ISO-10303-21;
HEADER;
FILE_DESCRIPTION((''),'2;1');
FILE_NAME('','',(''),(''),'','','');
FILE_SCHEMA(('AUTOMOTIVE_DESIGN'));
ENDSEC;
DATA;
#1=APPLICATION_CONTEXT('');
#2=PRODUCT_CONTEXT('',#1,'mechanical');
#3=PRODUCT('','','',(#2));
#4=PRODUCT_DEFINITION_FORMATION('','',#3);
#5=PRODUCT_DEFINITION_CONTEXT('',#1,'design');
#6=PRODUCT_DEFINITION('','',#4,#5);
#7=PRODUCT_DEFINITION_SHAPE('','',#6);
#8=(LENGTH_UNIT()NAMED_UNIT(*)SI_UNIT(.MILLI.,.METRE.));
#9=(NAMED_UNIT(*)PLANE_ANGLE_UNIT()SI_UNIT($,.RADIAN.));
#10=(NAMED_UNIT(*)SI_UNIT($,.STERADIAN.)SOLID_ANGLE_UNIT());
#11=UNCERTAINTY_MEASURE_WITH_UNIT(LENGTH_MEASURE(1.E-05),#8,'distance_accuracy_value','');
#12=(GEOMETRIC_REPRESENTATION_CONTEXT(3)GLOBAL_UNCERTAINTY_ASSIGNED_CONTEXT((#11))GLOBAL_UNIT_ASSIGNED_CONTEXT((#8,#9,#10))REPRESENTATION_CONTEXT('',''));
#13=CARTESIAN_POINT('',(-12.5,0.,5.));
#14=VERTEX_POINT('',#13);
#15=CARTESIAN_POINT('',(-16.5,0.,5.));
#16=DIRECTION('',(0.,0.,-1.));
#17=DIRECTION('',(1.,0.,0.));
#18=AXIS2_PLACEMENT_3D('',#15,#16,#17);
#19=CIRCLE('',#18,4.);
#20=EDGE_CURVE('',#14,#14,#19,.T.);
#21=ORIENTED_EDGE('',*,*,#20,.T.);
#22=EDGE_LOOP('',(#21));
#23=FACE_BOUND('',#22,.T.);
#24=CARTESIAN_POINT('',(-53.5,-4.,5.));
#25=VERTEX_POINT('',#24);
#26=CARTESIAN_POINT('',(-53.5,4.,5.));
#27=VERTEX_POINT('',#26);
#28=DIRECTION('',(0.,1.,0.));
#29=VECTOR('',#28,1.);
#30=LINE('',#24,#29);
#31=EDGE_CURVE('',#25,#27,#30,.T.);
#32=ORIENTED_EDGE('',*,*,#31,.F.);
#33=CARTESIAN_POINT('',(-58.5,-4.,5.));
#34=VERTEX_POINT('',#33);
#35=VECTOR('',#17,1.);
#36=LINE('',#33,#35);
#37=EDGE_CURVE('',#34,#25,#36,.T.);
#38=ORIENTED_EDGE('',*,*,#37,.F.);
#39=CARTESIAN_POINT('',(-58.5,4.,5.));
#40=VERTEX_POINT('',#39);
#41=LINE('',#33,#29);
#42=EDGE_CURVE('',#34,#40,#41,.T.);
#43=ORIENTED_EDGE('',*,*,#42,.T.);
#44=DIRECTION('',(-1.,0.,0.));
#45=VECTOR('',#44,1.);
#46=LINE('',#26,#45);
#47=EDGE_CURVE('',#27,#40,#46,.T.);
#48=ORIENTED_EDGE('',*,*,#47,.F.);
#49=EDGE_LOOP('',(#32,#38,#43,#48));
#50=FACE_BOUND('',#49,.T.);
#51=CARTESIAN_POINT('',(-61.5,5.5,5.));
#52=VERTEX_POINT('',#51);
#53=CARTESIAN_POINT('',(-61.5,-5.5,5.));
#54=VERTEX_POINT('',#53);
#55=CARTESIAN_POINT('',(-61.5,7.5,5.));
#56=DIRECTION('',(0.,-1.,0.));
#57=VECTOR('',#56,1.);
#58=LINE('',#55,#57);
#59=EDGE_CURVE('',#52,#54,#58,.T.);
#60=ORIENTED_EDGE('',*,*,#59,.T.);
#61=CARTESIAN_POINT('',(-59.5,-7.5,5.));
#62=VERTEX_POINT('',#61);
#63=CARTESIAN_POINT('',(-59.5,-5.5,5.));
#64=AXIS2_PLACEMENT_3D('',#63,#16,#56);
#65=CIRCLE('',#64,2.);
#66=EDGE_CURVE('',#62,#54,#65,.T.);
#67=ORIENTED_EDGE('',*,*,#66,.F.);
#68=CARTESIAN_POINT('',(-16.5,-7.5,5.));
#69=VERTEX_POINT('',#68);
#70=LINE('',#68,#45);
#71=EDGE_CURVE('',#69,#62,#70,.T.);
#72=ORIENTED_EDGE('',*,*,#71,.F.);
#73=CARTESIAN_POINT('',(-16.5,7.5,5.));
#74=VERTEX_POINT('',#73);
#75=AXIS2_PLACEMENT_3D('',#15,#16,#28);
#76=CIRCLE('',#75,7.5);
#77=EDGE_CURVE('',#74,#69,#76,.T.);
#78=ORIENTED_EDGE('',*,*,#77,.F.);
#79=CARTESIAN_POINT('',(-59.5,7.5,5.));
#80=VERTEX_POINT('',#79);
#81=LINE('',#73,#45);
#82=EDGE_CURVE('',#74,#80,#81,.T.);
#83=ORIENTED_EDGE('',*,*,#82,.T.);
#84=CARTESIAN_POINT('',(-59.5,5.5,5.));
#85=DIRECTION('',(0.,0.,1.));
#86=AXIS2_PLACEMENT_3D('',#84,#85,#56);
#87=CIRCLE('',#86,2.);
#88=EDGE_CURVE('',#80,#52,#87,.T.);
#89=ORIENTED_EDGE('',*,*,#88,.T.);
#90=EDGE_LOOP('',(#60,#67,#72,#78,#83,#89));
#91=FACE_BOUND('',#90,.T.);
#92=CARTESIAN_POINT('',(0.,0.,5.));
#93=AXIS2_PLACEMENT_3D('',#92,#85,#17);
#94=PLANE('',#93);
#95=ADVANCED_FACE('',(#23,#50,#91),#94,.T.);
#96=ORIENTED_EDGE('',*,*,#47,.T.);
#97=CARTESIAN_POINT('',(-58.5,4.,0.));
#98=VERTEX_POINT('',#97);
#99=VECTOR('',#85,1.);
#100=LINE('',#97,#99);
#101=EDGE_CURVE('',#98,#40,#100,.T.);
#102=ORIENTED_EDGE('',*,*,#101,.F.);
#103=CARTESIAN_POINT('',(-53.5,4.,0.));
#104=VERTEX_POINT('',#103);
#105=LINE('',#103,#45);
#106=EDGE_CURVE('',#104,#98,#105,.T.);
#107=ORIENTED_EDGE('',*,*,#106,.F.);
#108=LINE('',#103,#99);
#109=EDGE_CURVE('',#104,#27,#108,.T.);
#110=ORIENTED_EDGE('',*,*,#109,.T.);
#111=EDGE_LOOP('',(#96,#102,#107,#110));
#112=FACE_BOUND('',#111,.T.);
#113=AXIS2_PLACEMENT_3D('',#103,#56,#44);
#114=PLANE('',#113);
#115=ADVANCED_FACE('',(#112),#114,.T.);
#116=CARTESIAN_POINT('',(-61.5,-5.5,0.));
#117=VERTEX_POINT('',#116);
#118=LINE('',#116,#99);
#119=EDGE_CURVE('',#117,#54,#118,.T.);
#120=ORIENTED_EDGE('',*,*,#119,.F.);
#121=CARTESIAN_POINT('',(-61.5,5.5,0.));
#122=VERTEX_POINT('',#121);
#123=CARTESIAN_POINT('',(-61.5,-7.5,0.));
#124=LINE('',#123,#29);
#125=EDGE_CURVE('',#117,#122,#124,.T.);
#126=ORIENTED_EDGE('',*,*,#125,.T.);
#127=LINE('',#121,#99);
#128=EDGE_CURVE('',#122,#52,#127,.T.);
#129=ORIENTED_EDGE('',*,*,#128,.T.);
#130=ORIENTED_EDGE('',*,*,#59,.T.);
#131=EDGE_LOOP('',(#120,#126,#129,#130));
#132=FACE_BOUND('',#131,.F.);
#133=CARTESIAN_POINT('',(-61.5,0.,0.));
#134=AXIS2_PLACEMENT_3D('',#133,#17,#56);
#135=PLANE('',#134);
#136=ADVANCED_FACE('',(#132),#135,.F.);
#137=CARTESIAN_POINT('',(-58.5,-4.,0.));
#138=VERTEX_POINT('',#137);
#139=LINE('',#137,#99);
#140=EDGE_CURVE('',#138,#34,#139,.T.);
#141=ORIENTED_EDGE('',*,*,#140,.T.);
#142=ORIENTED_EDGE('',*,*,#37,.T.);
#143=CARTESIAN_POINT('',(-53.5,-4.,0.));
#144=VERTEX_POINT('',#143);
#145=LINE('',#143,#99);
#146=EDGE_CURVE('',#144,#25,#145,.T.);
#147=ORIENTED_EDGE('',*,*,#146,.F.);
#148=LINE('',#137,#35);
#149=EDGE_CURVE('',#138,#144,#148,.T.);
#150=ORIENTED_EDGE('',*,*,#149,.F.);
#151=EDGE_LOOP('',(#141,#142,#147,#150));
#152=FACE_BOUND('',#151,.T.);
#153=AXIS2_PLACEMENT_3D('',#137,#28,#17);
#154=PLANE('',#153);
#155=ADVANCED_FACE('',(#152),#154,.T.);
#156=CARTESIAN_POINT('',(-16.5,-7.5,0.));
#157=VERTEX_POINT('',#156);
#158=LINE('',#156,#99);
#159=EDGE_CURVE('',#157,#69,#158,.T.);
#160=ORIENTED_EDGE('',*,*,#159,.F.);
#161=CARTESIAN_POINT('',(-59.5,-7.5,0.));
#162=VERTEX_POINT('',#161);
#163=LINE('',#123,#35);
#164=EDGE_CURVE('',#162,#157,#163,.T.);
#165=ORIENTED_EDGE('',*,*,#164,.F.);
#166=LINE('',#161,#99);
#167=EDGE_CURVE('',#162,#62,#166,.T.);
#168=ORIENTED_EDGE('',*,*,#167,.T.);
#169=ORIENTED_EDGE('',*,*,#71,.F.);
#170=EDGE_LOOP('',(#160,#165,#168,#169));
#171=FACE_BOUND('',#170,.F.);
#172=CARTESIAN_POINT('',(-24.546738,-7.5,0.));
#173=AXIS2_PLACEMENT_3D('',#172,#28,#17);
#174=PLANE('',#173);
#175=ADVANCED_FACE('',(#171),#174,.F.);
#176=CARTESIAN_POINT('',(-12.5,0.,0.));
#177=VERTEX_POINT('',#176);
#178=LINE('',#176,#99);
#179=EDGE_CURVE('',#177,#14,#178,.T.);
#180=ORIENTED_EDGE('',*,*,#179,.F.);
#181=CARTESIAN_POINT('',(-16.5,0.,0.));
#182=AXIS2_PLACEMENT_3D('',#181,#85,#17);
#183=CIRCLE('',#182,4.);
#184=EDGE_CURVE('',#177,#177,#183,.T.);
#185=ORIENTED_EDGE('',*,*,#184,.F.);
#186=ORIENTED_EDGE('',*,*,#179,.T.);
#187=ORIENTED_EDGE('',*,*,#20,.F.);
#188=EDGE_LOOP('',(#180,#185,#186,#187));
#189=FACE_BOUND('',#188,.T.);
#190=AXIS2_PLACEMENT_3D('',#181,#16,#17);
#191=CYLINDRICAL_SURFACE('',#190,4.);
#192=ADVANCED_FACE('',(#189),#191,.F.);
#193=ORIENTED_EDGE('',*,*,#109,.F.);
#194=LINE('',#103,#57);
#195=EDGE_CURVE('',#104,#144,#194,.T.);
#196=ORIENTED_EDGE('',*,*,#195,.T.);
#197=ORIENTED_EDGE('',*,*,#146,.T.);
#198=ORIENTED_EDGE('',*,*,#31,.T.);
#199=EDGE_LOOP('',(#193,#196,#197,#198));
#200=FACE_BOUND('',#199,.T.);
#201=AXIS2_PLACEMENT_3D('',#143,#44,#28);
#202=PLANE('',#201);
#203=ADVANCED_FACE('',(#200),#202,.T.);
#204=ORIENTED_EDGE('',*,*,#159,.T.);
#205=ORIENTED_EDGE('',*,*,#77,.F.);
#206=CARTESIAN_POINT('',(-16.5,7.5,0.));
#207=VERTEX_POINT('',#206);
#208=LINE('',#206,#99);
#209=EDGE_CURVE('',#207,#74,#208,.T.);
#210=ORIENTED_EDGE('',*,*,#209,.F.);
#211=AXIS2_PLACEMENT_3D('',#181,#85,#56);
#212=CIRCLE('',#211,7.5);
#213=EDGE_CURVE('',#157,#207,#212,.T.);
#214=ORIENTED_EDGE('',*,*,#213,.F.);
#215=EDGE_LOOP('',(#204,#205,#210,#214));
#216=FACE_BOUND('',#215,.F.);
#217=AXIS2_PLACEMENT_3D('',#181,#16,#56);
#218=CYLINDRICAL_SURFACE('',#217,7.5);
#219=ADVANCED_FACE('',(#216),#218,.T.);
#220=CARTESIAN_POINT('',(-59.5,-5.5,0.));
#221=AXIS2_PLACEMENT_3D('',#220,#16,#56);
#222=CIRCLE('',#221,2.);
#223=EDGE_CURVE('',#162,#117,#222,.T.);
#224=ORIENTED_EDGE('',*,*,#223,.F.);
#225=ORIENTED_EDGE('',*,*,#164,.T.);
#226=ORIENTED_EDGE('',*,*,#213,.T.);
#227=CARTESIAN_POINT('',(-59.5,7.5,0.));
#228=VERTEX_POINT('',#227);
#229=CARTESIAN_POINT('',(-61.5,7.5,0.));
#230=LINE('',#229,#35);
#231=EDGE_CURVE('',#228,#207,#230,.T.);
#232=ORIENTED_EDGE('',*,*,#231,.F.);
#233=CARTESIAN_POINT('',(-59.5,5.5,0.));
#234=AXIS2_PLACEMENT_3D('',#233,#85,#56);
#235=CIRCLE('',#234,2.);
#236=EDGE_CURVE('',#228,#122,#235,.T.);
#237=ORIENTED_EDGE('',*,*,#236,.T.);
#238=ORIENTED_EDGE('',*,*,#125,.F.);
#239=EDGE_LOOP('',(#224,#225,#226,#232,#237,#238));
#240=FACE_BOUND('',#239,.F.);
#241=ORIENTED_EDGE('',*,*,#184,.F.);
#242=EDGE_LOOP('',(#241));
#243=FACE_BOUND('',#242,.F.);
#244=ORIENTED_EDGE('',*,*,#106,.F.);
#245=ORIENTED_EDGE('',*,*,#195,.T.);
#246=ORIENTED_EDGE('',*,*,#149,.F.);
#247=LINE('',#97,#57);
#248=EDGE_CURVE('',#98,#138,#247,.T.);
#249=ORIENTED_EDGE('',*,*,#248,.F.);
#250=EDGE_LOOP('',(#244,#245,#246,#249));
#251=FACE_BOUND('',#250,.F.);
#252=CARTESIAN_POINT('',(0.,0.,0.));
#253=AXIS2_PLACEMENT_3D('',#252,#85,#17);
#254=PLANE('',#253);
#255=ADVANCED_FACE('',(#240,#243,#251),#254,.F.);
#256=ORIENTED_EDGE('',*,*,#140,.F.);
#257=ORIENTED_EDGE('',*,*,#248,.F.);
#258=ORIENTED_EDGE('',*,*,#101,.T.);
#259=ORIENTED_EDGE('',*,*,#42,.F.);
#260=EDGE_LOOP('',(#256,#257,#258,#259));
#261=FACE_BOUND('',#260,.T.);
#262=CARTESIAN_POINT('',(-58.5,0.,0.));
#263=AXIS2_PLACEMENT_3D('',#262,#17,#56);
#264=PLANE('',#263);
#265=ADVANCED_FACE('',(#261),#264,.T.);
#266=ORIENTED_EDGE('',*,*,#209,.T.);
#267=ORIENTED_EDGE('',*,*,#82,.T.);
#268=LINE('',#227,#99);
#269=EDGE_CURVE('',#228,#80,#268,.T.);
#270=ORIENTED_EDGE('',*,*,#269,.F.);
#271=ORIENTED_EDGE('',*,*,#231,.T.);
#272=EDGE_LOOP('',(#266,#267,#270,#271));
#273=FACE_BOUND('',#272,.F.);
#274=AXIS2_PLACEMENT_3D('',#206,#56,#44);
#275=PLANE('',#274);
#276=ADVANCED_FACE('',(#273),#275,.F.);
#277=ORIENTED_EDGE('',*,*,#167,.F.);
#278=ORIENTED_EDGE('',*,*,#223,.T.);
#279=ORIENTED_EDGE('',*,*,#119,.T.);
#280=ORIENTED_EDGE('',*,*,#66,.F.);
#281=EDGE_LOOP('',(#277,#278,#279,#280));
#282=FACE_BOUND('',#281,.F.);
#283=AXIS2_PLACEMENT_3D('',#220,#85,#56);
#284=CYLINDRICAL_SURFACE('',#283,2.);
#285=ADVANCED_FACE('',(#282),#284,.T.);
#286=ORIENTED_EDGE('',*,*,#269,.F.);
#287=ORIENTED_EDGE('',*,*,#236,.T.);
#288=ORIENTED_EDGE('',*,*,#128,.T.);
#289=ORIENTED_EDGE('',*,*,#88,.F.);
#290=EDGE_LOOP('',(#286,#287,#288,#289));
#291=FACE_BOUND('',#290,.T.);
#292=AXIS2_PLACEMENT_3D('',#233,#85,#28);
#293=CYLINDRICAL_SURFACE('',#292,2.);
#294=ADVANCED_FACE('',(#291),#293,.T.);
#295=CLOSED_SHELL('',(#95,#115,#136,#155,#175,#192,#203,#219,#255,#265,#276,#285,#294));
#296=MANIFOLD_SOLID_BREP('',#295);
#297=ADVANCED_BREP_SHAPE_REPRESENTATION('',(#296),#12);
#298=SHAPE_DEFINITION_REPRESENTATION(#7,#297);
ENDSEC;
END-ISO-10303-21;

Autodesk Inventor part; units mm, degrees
ref_plane "YZ Plane" through (0, 0, 0) normal (1, 0, 0) x (0, 1, 0)
ref_plane "XZ Plane" through (0, 0, 0) normal (0, 1, 0) x (-1, 0, 0)
ref_plane "XY Plane" through (0, 0, 0) normal (0, 0, 1) x (1, 0, 0)
sketch "Skizze1" plane through (0, 0, 0) normal (0, 0, 1) x (1, 0, 0)
  line L0 (0, -24.15) -> (0, 24.15) projected
  line L1 (-77.25, 0) -> (33, 0) projected
  circle A0 centre (-15.5, 15.5) radius 1.75
  circle A1 centre (15.5, 15.5) radius 1.75
  circle A2 centre (-15.5, -15.5) radius 1.75
  circle A3 centre (15.5, -15.5) radius 1.75
  circle A4 centre (-16.5, 0) radius 11
  circle A5 centre (0, 0) radius 5.5
  circle A6 centre (-16.5, 0) radius 4
  arc A7 (-16.5, -7.5) -> (-16.5, 7.5) centre (-16.5, 0) ccw
  line L2 (-16.5, 7.5) -> (-36.5, 7.5)
  line L3 (-36.5, 7.5) -> (-61.5, 7.5)
  line L4 (-61.5, 7.5) -> (-61.5, -7.5)
  line L5 (-61.5, -7.5) -> (-16.5, -7.5)
  dimension "d0" = 3.5
  dimension "d1" = 15.5
  dimension "d2" = 15.5
  dimension "d3" = 22
  dimension "d4" = 16.5
  dimension "d5" = 11
  dimension "d6" = 8
  dimension "d7" = 15
  dimension "d10" = 15
  dimension "d11" = 45
extrude "Extrusion1" add sketch "Skizze1" along normal blind 5 contours A7 L5 A4 L1 A6 | L1 A6 A4 L2 A7 | A4 L1 L4 L3 L2 | L5 L4 L1 A4
sketch "Skizze3" plane through (0, 0, 0) normal (0, 0, -1) x (-1, 0, 0)
  circle A0 centre (16.5, 0) radius 4 projected
  arc A1 (16.5, 7.5) -> (16.5, -7.5) centre (16.5, 0) ccw projected
  line L0 (16.5, -7.5) -> (61.5, -7.5) projected
  line L1 (61.5, -7.5) -> (61.5, 7.5) projected
  line L2 (61.5, 7.5) -> (16.5, 7.5) projected
  line L3 (58.5, -4) -> (53.5, -4)
  line L4 (53.5, -4) -> (53.5, 4)
  line L5 (53.5, 4) -> (58.5, 4)
  line L6 (58.5, 4) -> (58.5, -4)
  line L7 (73.8, 0) -> (-12.3, 0) projected
  point P0 (0, 0)
  dimension "d17" = 5
  dimension "d18" = 8
  dimension "d19" = 3
extrude "Extrusion3" cut sketch "Skizze3" against normal blind 5 contours L7 L6 L3 L4 | L4 L5 L6 L7
fillet "Rundung1" radius 2 2 edges at (-61.5, -7.5, 2.5) (-61.5, 7.5, 2.5)
properties part number "Kugellager-Schieber-Seite" material "ABS-Kunststoff"
